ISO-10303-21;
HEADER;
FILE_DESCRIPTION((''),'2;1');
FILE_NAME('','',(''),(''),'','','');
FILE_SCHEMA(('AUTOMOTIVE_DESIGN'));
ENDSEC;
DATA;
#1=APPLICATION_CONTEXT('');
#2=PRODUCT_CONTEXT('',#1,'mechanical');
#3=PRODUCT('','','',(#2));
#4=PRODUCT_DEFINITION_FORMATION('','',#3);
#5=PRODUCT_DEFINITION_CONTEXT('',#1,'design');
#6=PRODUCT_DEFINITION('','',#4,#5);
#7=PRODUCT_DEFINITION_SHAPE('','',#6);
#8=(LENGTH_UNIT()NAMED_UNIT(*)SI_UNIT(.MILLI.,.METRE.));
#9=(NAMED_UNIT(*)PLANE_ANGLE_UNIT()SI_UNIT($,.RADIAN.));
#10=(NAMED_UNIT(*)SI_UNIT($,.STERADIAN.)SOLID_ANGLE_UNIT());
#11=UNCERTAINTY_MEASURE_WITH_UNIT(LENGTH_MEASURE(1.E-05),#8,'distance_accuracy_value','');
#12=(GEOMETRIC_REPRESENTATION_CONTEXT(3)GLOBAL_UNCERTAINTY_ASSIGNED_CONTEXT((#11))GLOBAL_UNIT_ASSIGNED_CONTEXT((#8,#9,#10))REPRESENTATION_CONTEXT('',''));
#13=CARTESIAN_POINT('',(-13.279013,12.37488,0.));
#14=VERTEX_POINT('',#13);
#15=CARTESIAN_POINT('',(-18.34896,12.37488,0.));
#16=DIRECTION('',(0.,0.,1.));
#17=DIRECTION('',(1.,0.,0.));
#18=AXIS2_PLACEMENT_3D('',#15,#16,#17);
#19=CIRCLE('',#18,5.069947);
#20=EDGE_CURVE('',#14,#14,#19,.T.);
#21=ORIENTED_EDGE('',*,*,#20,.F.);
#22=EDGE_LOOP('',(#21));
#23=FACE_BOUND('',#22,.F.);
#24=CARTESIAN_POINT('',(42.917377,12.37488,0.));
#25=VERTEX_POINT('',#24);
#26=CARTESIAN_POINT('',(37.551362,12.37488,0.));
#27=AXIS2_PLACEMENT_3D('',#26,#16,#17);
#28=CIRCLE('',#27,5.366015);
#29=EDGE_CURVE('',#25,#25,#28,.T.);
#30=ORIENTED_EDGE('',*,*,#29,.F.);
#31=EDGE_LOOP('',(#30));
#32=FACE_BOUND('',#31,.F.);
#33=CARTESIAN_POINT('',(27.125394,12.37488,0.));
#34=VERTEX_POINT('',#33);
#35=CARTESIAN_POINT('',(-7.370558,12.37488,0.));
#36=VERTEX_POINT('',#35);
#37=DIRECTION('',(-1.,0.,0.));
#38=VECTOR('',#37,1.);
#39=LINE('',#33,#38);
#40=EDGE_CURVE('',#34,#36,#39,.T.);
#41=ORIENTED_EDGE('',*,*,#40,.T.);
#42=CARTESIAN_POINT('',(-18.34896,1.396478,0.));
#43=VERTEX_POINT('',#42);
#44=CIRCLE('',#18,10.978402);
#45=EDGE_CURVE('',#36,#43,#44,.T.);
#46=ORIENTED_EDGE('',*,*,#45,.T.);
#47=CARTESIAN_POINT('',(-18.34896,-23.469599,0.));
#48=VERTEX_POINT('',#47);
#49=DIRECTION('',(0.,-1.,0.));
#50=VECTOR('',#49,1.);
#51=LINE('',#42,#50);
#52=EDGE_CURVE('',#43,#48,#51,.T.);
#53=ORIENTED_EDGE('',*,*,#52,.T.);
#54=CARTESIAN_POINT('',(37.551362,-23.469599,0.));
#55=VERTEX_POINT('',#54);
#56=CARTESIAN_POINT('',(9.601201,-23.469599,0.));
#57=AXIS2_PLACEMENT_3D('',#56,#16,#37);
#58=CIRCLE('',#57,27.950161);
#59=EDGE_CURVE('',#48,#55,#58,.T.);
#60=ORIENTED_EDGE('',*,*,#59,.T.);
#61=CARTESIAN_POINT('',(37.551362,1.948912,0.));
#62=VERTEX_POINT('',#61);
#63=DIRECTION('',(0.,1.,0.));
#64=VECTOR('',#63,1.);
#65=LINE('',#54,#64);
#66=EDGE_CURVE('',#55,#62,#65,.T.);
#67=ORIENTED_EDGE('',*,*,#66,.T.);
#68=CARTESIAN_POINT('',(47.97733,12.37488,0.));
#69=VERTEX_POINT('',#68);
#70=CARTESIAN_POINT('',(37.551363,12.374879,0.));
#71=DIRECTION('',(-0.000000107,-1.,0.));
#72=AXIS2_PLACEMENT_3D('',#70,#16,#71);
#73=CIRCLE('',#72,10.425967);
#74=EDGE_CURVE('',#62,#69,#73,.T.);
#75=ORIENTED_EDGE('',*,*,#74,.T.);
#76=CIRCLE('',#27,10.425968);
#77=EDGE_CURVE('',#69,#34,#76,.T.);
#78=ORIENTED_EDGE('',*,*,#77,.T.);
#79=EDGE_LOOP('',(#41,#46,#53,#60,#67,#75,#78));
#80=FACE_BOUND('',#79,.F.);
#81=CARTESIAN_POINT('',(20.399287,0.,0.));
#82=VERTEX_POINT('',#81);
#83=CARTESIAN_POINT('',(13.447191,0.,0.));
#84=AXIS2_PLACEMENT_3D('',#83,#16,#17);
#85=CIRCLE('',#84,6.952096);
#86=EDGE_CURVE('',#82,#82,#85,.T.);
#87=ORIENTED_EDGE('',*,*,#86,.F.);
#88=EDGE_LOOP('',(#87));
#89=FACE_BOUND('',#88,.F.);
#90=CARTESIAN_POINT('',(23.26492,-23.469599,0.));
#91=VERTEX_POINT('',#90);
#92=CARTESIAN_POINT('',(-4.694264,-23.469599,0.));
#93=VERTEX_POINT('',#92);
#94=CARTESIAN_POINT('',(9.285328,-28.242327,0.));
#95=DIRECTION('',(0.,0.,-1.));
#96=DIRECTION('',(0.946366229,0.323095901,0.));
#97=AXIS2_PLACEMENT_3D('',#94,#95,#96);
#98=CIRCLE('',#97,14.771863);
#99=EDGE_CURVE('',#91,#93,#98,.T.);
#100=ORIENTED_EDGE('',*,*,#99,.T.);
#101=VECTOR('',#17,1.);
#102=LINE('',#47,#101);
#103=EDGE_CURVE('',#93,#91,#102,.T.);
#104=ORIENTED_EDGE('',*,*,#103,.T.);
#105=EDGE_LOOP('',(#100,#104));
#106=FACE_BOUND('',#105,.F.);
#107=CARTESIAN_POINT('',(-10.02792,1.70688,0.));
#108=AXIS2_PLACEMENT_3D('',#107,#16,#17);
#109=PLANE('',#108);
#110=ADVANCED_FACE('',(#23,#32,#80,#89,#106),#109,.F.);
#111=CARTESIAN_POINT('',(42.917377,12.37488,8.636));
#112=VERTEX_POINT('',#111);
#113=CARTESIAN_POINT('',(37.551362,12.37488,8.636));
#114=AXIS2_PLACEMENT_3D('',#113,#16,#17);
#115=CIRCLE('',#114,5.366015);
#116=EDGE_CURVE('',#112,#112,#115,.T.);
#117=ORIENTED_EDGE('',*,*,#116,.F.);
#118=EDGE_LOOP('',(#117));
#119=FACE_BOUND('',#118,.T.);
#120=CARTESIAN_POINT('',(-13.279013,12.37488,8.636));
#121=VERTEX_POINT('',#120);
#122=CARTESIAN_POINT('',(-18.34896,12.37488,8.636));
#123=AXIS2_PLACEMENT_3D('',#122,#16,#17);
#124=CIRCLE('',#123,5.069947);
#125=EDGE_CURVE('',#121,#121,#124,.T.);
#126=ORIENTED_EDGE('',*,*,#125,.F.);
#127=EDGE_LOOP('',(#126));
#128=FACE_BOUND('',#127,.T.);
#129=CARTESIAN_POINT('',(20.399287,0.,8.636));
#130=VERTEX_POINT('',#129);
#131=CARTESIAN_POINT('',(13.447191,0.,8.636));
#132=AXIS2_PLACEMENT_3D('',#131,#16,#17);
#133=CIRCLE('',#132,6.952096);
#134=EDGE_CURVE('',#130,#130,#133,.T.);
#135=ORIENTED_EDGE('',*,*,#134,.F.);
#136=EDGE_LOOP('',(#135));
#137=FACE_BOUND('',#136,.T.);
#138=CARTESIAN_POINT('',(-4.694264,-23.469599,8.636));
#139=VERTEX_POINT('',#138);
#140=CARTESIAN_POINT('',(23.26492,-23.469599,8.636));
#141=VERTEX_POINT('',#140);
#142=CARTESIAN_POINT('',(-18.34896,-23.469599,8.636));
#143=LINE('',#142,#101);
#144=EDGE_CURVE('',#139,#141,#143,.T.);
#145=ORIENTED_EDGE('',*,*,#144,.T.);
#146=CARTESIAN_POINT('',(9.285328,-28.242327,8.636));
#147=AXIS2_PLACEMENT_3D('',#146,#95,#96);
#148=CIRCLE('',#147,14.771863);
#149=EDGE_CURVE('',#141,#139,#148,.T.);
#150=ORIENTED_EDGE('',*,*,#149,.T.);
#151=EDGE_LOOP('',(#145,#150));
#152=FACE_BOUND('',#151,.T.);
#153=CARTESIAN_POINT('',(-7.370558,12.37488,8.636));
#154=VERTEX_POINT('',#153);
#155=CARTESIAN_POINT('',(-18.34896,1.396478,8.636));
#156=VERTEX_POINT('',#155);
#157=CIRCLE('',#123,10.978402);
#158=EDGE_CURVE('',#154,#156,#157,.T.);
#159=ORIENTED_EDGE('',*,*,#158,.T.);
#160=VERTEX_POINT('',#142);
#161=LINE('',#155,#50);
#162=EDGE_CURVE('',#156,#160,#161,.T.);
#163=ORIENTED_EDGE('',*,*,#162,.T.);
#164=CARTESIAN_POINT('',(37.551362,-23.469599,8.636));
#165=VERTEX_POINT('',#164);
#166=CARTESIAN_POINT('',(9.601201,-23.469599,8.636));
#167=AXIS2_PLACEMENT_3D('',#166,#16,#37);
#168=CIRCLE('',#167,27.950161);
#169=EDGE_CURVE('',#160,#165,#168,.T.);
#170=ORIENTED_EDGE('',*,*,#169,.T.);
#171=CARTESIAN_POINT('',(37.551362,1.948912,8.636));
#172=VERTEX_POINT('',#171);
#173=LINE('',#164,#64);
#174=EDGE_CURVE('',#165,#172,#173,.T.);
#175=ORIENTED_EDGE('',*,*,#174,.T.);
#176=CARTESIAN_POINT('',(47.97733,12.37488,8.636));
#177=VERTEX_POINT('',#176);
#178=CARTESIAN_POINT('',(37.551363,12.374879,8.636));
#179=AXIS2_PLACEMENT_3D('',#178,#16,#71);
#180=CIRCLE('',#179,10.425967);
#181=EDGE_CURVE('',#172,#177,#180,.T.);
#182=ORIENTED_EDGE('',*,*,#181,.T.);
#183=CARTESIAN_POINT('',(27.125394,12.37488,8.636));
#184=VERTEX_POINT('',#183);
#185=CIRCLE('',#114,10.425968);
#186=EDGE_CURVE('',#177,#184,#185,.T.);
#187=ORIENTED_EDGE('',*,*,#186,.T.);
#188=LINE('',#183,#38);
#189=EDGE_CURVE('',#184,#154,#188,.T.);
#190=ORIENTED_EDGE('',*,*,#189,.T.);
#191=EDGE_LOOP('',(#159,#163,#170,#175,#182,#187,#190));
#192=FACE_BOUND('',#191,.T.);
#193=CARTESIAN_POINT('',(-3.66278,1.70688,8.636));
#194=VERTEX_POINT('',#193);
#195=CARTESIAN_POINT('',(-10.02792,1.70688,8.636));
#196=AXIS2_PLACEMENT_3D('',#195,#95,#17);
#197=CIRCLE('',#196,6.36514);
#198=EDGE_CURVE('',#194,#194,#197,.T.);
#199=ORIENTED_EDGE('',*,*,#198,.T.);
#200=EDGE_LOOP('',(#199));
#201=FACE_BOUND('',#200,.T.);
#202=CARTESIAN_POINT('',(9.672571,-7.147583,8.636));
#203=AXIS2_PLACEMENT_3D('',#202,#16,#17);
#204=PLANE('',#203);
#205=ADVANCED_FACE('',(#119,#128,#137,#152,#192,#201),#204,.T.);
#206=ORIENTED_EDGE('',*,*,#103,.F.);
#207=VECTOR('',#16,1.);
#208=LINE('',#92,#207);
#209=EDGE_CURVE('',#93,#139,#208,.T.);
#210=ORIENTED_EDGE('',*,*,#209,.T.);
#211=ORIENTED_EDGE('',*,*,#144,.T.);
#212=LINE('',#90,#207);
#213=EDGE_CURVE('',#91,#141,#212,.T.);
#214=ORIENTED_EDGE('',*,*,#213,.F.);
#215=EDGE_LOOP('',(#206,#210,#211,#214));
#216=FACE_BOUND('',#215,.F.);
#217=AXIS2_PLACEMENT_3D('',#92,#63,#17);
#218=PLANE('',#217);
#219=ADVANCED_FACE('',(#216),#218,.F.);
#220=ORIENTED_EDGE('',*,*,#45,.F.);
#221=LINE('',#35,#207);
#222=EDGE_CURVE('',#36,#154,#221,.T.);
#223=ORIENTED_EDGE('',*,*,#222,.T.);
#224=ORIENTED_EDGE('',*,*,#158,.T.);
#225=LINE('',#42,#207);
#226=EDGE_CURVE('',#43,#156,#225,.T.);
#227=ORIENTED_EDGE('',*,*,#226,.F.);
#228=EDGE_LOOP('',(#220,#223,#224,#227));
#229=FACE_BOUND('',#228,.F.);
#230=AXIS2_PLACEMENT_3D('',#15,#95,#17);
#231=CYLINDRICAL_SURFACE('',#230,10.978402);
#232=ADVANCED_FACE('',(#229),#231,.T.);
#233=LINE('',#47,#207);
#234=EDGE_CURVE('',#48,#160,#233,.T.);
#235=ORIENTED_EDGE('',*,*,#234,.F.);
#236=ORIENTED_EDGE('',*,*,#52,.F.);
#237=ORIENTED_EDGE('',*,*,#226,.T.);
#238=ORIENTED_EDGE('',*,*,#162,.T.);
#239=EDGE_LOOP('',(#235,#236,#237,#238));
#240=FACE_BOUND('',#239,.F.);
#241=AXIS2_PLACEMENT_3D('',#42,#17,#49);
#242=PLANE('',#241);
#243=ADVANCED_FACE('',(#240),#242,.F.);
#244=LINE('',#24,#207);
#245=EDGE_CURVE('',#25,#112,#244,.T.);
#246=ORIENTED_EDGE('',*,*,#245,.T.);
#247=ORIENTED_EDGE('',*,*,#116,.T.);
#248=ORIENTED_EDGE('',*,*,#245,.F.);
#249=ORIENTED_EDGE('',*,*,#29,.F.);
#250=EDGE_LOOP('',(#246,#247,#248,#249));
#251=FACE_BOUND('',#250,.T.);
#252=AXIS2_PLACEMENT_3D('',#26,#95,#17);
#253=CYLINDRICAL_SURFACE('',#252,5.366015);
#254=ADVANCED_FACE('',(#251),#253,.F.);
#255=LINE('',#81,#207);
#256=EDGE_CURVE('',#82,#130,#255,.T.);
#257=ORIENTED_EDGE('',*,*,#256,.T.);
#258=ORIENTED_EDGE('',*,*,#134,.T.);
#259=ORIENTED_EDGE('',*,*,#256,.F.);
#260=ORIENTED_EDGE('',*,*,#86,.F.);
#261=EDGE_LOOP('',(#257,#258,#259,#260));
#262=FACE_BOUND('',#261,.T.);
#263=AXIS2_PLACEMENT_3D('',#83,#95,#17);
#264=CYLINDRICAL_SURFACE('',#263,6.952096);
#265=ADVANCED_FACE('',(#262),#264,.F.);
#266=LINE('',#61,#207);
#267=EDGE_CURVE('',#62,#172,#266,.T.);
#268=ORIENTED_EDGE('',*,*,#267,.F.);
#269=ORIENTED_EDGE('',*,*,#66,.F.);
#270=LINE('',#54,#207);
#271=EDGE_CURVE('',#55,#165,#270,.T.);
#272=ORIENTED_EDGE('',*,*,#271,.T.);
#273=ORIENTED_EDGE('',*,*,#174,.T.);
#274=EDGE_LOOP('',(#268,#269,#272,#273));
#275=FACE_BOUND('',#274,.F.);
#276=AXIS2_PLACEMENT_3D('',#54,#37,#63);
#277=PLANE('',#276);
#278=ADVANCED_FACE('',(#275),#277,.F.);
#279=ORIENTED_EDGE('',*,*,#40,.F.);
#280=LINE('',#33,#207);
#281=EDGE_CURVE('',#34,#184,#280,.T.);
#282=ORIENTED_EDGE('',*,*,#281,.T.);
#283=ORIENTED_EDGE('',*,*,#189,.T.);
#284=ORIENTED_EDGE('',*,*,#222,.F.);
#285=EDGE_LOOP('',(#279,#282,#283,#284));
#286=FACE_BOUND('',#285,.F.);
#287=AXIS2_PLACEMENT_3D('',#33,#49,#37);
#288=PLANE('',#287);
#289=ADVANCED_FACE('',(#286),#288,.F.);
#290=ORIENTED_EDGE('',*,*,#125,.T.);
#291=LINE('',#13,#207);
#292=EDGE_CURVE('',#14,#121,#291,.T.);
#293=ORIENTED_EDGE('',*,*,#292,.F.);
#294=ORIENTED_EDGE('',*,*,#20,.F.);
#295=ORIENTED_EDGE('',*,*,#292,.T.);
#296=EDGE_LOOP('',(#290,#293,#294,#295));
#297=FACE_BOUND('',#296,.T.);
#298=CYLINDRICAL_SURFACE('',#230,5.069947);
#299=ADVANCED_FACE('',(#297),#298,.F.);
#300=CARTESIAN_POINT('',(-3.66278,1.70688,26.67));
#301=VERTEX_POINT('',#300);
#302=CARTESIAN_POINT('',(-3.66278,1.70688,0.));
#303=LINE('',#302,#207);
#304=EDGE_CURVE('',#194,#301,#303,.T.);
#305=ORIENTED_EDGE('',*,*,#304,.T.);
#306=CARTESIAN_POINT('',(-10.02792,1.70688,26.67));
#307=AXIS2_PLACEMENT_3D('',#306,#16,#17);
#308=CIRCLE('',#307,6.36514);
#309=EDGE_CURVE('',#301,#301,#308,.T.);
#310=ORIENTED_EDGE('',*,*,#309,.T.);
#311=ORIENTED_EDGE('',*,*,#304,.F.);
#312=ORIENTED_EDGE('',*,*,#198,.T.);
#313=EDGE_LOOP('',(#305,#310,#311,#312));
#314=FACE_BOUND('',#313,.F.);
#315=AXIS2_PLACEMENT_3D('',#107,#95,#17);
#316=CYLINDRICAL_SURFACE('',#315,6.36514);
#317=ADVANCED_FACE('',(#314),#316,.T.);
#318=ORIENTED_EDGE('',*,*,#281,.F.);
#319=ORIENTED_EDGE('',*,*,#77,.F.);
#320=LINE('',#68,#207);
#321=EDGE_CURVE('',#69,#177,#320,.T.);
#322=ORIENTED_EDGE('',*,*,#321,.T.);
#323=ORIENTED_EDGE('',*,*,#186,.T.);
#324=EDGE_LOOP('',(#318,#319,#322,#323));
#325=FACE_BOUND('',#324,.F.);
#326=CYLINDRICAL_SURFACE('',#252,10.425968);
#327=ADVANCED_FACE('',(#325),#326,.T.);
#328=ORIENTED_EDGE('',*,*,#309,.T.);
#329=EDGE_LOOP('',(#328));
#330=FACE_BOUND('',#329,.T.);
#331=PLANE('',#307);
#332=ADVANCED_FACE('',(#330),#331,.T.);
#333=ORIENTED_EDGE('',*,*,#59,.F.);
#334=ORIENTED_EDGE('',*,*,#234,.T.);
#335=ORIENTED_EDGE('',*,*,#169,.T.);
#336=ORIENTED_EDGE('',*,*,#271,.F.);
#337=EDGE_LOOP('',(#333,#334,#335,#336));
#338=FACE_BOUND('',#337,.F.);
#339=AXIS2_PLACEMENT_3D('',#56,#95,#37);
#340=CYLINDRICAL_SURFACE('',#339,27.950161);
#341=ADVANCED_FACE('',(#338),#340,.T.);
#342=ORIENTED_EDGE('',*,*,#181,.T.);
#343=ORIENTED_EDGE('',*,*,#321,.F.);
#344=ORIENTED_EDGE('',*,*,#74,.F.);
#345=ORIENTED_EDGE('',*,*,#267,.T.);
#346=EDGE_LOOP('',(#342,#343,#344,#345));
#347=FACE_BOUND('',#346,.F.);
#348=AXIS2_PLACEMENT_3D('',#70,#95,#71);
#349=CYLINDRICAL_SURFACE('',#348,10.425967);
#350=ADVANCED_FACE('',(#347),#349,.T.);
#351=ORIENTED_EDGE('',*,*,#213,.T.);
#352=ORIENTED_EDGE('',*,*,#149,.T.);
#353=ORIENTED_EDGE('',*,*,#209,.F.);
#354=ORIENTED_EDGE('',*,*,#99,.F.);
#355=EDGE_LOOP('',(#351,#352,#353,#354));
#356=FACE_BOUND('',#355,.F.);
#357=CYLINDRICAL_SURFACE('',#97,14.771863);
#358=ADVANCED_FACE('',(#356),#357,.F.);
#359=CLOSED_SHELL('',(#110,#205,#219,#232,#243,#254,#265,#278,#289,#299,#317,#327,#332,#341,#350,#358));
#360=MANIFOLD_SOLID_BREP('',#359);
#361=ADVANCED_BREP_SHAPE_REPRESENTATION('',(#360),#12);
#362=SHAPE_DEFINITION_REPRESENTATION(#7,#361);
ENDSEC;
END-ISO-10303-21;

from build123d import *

# Parameters (mm, degrees)
F0_R     = 6.952096
F0_R_2   = 5.069947
F0_R_3   = 5.366015
F1_DEPTH = 8.636
F2_R     = 6.36514
F3_DEPTH = 26.67


with BuildPart() as f1:
    # F0 (on Top) → F1 (new body)
    with BuildSketch(Plane.XY):
        with BuildLine():
            Line((-18.34896, 1.396478), (-18.34896, -23.469599))
            Line((-18.34896, -23.469599), (-4.694264, -23.469599))
            Line((-4.694264, -23.469599), (23.26492, -23.469599))
            Line((23.26492, -23.469599), (37.551362, -23.469599))
            Line((37.551362, -23.469599), (37.551362, 1.948912))
            ThreePointArc((37.551362, 1.948912), (30.179089, 5.002607), (27.125394, 12.37488))
            Line((27.125394, 12.37488), (-7.370558, 12.37488))
            ThreePointArc((-7.370558, 12.37488), (-10.586058, 4.611977), (-18.34896, 1.396478))
        make_face()
        with Locations((13.447191, 0)):
            Circle(F0_R, mode=Mode.SUBTRACT)
        with BuildLine():
            Line((-4.694264, -23.469599), (-18.34896, -23.469599))
            ThreePointArc((-18.34896, -23.469599), (9.601201, -51.41976), (37.551362, -23.469599))
            Line((37.551362, -23.469599), (23.26492, -23.469599))
            ThreePointArc((23.26492, -23.469599), (9.285328, -43.01419), (-4.694264, -23.469599))
        make_face()
        with BuildLine():
            ThreePointArc((-7.370558, 12.37488), (-26.111863, 20.137782), (-18.34896, 1.396478))
            ThreePointArc((-18.34896, 1.396478), (-10.586058, 4.611977), (-7.370558, 12.37488))
        make_face()
        with Locations((-18.34896, 12.37488)):
            Circle(F0_R_2, mode=Mode.SUBTRACT)
        with BuildLine():
            ThreePointArc((27.125394, 12.37488), (30.179089, 5.002607), (37.551362, 1.948912))
            ThreePointArc((37.551362, 1.948912), (44.923635, 5.002607), (47.97733, 12.37488))
            ThreePointArc((47.97733, 12.37488), (37.551362, 22.800848), (27.125394, 12.37488))
        make_face()
        with Locations((37.551362, 12.37488)):
            Circle(F0_R_3, mode=Mode.SUBTRACT)
    extrude(amount=F1_DEPTH)

    # F2 (on Top) → F3 (join)
    with BuildSketch(Plane.XY):
        with Locations((-10.02792, 1.70688)):
            Circle(F2_R)
    extrude(amount=F3_DEPTH)


solid = f1.part
